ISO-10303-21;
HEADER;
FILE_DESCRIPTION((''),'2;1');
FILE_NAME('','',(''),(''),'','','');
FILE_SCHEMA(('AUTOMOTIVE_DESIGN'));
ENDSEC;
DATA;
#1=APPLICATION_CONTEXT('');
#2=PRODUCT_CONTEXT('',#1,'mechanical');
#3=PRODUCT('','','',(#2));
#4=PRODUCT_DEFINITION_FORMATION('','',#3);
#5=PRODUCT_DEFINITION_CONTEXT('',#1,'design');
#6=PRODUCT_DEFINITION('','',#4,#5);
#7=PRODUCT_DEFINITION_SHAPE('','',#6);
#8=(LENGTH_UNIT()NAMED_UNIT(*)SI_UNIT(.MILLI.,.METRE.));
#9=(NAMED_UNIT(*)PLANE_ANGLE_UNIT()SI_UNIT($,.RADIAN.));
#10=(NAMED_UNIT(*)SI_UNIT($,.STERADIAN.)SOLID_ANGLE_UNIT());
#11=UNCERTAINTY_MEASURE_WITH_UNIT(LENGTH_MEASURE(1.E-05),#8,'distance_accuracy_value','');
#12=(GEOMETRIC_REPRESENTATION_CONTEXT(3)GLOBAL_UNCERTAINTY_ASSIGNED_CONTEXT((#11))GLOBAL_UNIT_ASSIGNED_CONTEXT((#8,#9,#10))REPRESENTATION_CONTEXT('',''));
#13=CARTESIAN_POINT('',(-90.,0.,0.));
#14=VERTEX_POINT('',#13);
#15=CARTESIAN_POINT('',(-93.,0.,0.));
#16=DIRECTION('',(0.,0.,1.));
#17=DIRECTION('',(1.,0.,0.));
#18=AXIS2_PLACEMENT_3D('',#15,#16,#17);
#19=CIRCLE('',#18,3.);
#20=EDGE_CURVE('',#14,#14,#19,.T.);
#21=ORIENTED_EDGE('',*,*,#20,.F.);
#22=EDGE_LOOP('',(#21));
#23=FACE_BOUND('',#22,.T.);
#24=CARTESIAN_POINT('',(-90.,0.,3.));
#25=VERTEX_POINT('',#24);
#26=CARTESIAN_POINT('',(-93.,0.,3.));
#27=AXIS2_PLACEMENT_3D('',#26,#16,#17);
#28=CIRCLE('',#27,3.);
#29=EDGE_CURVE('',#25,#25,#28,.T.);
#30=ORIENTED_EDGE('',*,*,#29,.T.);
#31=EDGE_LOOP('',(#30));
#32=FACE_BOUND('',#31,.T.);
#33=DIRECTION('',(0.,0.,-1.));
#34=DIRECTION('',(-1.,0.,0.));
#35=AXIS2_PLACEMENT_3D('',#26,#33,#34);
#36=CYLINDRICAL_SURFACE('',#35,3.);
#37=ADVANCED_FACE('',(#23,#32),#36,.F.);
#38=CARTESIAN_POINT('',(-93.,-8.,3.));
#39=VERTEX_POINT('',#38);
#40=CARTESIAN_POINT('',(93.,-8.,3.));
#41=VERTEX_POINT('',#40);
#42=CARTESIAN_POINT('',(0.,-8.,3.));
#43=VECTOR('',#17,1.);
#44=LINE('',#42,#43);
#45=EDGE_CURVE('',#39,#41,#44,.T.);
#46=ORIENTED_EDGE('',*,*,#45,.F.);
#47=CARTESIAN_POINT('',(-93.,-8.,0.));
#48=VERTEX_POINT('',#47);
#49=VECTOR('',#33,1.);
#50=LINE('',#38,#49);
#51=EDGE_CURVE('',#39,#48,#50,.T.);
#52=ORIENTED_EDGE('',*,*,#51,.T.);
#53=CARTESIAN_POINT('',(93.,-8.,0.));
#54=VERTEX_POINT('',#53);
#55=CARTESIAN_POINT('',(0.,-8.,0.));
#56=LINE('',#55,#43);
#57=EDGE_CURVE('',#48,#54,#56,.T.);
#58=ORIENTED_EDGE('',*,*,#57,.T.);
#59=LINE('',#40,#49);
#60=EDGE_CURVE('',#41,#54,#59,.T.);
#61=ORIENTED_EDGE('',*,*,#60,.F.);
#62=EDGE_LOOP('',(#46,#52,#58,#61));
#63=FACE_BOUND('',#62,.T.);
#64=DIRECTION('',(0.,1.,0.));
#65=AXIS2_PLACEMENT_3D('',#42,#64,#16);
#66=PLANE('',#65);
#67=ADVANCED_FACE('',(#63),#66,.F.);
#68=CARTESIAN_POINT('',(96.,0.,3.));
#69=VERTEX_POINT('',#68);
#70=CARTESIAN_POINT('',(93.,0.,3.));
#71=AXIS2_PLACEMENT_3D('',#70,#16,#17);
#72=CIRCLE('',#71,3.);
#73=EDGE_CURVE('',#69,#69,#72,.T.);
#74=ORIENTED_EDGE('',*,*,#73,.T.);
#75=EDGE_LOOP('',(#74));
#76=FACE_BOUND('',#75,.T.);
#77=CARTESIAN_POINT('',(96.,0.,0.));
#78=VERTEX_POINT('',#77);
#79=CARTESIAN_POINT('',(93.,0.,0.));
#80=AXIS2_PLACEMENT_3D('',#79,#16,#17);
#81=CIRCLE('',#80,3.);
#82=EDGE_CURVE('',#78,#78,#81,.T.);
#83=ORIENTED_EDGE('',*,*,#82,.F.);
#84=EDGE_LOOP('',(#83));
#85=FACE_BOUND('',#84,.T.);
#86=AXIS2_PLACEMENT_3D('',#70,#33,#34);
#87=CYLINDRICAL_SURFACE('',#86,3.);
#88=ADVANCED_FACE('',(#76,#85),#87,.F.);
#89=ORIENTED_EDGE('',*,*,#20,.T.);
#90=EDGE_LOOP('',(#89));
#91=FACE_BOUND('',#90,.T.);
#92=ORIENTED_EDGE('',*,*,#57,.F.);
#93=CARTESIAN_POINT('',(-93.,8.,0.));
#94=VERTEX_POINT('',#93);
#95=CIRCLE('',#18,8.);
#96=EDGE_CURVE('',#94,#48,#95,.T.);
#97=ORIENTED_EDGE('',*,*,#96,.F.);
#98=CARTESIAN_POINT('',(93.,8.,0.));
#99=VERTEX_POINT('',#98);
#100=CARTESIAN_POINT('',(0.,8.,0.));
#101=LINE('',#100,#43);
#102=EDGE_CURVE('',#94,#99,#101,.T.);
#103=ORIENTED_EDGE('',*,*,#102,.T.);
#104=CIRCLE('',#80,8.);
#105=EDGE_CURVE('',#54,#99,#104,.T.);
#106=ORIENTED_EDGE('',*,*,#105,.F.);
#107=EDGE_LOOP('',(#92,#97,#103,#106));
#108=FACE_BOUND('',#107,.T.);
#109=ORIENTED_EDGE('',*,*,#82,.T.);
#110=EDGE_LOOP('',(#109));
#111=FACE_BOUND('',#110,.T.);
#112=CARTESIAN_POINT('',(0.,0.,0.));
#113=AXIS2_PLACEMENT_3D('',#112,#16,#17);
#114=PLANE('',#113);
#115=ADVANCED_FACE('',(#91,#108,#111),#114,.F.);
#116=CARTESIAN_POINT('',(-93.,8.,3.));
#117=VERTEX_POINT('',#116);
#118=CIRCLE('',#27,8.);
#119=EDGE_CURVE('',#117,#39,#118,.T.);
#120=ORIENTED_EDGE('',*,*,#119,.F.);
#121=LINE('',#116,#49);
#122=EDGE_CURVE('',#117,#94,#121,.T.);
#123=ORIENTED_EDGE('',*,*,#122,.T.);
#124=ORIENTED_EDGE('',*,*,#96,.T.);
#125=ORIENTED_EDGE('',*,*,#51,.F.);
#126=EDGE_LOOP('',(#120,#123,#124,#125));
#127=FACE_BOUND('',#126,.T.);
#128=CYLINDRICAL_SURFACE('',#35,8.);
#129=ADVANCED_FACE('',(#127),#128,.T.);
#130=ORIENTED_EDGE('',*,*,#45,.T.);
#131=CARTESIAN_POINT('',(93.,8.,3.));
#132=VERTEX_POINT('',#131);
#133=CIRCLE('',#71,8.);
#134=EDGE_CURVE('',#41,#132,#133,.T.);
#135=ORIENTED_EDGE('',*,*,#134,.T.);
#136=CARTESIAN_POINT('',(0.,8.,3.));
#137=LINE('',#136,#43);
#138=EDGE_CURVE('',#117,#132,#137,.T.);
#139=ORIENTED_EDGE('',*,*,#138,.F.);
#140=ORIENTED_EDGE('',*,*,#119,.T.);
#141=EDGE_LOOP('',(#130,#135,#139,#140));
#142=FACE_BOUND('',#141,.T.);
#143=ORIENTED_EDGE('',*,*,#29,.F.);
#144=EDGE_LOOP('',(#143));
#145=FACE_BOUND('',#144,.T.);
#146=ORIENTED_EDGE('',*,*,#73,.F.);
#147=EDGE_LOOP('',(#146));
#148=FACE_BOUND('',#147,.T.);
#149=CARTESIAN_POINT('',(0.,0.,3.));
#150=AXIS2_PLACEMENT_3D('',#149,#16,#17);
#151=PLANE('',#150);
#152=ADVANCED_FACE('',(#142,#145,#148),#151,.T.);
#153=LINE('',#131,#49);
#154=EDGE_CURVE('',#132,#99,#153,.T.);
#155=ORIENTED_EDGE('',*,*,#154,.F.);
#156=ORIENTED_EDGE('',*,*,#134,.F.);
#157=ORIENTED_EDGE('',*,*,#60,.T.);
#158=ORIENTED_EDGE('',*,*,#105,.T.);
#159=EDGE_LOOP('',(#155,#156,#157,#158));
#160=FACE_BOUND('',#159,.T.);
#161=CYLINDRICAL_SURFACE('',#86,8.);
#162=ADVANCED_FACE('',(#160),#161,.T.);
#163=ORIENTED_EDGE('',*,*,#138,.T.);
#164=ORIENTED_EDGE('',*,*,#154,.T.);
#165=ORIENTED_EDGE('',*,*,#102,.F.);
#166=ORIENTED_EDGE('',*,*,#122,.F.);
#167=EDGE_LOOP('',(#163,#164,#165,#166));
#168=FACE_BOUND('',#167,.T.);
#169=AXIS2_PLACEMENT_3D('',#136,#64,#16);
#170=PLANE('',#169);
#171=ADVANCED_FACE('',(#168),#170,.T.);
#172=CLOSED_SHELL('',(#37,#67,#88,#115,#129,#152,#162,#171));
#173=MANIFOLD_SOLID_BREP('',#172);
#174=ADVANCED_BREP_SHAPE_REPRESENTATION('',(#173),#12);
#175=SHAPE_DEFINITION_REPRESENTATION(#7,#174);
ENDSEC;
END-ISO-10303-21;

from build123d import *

# Parameters (mm, degrees)
SKETCH_1_R      = 8
SKETCH_1_R_2    = 3
EXTRUDE_1_DEPTH = 3


with BuildPart() as part:
    # 草图1 → 凸台-拉伸1 (new body)
    # profile 1 of 3: a face of its own
    with BuildSketch(Plane.XY):
        with BuildLine():
            Line((92.999999991, 8), (-93, 8))
            ThreePointArc((-93, 8), (-87.343145751, 5.656854249), (-85, 0))
            ThreePointArc((-85, 0), (-87.343145751, -5.656854249), (-93, -8))
            Line((-93, -8), (93.000000101, -8))
            ThreePointArc((93.000000101, -8), (85, -5.5e-08), (92.999999991, 8))
        make_face()
    # profile 2 of 3: a face of its own
    with BuildSketch(Plane.XY):
        with Locations((-93, 0)):
            Circle(SKETCH_1_R)
        with Locations((-93, 0)):
            Circle(SKETCH_1_R_2, mode=Mode.SUBTRACT)
    # profile 3 of 3: a face of its own
    with BuildSketch(Plane.XY):
        with Locations((93, 0)):
            Circle(SKETCH_1_R)
        with Locations((93, 0)):
            Circle(SKETCH_1_R_2, mode=Mode.SUBTRACT)
    extrude(amount=EXTRUDE_1_DEPTH)


solid = part.part
